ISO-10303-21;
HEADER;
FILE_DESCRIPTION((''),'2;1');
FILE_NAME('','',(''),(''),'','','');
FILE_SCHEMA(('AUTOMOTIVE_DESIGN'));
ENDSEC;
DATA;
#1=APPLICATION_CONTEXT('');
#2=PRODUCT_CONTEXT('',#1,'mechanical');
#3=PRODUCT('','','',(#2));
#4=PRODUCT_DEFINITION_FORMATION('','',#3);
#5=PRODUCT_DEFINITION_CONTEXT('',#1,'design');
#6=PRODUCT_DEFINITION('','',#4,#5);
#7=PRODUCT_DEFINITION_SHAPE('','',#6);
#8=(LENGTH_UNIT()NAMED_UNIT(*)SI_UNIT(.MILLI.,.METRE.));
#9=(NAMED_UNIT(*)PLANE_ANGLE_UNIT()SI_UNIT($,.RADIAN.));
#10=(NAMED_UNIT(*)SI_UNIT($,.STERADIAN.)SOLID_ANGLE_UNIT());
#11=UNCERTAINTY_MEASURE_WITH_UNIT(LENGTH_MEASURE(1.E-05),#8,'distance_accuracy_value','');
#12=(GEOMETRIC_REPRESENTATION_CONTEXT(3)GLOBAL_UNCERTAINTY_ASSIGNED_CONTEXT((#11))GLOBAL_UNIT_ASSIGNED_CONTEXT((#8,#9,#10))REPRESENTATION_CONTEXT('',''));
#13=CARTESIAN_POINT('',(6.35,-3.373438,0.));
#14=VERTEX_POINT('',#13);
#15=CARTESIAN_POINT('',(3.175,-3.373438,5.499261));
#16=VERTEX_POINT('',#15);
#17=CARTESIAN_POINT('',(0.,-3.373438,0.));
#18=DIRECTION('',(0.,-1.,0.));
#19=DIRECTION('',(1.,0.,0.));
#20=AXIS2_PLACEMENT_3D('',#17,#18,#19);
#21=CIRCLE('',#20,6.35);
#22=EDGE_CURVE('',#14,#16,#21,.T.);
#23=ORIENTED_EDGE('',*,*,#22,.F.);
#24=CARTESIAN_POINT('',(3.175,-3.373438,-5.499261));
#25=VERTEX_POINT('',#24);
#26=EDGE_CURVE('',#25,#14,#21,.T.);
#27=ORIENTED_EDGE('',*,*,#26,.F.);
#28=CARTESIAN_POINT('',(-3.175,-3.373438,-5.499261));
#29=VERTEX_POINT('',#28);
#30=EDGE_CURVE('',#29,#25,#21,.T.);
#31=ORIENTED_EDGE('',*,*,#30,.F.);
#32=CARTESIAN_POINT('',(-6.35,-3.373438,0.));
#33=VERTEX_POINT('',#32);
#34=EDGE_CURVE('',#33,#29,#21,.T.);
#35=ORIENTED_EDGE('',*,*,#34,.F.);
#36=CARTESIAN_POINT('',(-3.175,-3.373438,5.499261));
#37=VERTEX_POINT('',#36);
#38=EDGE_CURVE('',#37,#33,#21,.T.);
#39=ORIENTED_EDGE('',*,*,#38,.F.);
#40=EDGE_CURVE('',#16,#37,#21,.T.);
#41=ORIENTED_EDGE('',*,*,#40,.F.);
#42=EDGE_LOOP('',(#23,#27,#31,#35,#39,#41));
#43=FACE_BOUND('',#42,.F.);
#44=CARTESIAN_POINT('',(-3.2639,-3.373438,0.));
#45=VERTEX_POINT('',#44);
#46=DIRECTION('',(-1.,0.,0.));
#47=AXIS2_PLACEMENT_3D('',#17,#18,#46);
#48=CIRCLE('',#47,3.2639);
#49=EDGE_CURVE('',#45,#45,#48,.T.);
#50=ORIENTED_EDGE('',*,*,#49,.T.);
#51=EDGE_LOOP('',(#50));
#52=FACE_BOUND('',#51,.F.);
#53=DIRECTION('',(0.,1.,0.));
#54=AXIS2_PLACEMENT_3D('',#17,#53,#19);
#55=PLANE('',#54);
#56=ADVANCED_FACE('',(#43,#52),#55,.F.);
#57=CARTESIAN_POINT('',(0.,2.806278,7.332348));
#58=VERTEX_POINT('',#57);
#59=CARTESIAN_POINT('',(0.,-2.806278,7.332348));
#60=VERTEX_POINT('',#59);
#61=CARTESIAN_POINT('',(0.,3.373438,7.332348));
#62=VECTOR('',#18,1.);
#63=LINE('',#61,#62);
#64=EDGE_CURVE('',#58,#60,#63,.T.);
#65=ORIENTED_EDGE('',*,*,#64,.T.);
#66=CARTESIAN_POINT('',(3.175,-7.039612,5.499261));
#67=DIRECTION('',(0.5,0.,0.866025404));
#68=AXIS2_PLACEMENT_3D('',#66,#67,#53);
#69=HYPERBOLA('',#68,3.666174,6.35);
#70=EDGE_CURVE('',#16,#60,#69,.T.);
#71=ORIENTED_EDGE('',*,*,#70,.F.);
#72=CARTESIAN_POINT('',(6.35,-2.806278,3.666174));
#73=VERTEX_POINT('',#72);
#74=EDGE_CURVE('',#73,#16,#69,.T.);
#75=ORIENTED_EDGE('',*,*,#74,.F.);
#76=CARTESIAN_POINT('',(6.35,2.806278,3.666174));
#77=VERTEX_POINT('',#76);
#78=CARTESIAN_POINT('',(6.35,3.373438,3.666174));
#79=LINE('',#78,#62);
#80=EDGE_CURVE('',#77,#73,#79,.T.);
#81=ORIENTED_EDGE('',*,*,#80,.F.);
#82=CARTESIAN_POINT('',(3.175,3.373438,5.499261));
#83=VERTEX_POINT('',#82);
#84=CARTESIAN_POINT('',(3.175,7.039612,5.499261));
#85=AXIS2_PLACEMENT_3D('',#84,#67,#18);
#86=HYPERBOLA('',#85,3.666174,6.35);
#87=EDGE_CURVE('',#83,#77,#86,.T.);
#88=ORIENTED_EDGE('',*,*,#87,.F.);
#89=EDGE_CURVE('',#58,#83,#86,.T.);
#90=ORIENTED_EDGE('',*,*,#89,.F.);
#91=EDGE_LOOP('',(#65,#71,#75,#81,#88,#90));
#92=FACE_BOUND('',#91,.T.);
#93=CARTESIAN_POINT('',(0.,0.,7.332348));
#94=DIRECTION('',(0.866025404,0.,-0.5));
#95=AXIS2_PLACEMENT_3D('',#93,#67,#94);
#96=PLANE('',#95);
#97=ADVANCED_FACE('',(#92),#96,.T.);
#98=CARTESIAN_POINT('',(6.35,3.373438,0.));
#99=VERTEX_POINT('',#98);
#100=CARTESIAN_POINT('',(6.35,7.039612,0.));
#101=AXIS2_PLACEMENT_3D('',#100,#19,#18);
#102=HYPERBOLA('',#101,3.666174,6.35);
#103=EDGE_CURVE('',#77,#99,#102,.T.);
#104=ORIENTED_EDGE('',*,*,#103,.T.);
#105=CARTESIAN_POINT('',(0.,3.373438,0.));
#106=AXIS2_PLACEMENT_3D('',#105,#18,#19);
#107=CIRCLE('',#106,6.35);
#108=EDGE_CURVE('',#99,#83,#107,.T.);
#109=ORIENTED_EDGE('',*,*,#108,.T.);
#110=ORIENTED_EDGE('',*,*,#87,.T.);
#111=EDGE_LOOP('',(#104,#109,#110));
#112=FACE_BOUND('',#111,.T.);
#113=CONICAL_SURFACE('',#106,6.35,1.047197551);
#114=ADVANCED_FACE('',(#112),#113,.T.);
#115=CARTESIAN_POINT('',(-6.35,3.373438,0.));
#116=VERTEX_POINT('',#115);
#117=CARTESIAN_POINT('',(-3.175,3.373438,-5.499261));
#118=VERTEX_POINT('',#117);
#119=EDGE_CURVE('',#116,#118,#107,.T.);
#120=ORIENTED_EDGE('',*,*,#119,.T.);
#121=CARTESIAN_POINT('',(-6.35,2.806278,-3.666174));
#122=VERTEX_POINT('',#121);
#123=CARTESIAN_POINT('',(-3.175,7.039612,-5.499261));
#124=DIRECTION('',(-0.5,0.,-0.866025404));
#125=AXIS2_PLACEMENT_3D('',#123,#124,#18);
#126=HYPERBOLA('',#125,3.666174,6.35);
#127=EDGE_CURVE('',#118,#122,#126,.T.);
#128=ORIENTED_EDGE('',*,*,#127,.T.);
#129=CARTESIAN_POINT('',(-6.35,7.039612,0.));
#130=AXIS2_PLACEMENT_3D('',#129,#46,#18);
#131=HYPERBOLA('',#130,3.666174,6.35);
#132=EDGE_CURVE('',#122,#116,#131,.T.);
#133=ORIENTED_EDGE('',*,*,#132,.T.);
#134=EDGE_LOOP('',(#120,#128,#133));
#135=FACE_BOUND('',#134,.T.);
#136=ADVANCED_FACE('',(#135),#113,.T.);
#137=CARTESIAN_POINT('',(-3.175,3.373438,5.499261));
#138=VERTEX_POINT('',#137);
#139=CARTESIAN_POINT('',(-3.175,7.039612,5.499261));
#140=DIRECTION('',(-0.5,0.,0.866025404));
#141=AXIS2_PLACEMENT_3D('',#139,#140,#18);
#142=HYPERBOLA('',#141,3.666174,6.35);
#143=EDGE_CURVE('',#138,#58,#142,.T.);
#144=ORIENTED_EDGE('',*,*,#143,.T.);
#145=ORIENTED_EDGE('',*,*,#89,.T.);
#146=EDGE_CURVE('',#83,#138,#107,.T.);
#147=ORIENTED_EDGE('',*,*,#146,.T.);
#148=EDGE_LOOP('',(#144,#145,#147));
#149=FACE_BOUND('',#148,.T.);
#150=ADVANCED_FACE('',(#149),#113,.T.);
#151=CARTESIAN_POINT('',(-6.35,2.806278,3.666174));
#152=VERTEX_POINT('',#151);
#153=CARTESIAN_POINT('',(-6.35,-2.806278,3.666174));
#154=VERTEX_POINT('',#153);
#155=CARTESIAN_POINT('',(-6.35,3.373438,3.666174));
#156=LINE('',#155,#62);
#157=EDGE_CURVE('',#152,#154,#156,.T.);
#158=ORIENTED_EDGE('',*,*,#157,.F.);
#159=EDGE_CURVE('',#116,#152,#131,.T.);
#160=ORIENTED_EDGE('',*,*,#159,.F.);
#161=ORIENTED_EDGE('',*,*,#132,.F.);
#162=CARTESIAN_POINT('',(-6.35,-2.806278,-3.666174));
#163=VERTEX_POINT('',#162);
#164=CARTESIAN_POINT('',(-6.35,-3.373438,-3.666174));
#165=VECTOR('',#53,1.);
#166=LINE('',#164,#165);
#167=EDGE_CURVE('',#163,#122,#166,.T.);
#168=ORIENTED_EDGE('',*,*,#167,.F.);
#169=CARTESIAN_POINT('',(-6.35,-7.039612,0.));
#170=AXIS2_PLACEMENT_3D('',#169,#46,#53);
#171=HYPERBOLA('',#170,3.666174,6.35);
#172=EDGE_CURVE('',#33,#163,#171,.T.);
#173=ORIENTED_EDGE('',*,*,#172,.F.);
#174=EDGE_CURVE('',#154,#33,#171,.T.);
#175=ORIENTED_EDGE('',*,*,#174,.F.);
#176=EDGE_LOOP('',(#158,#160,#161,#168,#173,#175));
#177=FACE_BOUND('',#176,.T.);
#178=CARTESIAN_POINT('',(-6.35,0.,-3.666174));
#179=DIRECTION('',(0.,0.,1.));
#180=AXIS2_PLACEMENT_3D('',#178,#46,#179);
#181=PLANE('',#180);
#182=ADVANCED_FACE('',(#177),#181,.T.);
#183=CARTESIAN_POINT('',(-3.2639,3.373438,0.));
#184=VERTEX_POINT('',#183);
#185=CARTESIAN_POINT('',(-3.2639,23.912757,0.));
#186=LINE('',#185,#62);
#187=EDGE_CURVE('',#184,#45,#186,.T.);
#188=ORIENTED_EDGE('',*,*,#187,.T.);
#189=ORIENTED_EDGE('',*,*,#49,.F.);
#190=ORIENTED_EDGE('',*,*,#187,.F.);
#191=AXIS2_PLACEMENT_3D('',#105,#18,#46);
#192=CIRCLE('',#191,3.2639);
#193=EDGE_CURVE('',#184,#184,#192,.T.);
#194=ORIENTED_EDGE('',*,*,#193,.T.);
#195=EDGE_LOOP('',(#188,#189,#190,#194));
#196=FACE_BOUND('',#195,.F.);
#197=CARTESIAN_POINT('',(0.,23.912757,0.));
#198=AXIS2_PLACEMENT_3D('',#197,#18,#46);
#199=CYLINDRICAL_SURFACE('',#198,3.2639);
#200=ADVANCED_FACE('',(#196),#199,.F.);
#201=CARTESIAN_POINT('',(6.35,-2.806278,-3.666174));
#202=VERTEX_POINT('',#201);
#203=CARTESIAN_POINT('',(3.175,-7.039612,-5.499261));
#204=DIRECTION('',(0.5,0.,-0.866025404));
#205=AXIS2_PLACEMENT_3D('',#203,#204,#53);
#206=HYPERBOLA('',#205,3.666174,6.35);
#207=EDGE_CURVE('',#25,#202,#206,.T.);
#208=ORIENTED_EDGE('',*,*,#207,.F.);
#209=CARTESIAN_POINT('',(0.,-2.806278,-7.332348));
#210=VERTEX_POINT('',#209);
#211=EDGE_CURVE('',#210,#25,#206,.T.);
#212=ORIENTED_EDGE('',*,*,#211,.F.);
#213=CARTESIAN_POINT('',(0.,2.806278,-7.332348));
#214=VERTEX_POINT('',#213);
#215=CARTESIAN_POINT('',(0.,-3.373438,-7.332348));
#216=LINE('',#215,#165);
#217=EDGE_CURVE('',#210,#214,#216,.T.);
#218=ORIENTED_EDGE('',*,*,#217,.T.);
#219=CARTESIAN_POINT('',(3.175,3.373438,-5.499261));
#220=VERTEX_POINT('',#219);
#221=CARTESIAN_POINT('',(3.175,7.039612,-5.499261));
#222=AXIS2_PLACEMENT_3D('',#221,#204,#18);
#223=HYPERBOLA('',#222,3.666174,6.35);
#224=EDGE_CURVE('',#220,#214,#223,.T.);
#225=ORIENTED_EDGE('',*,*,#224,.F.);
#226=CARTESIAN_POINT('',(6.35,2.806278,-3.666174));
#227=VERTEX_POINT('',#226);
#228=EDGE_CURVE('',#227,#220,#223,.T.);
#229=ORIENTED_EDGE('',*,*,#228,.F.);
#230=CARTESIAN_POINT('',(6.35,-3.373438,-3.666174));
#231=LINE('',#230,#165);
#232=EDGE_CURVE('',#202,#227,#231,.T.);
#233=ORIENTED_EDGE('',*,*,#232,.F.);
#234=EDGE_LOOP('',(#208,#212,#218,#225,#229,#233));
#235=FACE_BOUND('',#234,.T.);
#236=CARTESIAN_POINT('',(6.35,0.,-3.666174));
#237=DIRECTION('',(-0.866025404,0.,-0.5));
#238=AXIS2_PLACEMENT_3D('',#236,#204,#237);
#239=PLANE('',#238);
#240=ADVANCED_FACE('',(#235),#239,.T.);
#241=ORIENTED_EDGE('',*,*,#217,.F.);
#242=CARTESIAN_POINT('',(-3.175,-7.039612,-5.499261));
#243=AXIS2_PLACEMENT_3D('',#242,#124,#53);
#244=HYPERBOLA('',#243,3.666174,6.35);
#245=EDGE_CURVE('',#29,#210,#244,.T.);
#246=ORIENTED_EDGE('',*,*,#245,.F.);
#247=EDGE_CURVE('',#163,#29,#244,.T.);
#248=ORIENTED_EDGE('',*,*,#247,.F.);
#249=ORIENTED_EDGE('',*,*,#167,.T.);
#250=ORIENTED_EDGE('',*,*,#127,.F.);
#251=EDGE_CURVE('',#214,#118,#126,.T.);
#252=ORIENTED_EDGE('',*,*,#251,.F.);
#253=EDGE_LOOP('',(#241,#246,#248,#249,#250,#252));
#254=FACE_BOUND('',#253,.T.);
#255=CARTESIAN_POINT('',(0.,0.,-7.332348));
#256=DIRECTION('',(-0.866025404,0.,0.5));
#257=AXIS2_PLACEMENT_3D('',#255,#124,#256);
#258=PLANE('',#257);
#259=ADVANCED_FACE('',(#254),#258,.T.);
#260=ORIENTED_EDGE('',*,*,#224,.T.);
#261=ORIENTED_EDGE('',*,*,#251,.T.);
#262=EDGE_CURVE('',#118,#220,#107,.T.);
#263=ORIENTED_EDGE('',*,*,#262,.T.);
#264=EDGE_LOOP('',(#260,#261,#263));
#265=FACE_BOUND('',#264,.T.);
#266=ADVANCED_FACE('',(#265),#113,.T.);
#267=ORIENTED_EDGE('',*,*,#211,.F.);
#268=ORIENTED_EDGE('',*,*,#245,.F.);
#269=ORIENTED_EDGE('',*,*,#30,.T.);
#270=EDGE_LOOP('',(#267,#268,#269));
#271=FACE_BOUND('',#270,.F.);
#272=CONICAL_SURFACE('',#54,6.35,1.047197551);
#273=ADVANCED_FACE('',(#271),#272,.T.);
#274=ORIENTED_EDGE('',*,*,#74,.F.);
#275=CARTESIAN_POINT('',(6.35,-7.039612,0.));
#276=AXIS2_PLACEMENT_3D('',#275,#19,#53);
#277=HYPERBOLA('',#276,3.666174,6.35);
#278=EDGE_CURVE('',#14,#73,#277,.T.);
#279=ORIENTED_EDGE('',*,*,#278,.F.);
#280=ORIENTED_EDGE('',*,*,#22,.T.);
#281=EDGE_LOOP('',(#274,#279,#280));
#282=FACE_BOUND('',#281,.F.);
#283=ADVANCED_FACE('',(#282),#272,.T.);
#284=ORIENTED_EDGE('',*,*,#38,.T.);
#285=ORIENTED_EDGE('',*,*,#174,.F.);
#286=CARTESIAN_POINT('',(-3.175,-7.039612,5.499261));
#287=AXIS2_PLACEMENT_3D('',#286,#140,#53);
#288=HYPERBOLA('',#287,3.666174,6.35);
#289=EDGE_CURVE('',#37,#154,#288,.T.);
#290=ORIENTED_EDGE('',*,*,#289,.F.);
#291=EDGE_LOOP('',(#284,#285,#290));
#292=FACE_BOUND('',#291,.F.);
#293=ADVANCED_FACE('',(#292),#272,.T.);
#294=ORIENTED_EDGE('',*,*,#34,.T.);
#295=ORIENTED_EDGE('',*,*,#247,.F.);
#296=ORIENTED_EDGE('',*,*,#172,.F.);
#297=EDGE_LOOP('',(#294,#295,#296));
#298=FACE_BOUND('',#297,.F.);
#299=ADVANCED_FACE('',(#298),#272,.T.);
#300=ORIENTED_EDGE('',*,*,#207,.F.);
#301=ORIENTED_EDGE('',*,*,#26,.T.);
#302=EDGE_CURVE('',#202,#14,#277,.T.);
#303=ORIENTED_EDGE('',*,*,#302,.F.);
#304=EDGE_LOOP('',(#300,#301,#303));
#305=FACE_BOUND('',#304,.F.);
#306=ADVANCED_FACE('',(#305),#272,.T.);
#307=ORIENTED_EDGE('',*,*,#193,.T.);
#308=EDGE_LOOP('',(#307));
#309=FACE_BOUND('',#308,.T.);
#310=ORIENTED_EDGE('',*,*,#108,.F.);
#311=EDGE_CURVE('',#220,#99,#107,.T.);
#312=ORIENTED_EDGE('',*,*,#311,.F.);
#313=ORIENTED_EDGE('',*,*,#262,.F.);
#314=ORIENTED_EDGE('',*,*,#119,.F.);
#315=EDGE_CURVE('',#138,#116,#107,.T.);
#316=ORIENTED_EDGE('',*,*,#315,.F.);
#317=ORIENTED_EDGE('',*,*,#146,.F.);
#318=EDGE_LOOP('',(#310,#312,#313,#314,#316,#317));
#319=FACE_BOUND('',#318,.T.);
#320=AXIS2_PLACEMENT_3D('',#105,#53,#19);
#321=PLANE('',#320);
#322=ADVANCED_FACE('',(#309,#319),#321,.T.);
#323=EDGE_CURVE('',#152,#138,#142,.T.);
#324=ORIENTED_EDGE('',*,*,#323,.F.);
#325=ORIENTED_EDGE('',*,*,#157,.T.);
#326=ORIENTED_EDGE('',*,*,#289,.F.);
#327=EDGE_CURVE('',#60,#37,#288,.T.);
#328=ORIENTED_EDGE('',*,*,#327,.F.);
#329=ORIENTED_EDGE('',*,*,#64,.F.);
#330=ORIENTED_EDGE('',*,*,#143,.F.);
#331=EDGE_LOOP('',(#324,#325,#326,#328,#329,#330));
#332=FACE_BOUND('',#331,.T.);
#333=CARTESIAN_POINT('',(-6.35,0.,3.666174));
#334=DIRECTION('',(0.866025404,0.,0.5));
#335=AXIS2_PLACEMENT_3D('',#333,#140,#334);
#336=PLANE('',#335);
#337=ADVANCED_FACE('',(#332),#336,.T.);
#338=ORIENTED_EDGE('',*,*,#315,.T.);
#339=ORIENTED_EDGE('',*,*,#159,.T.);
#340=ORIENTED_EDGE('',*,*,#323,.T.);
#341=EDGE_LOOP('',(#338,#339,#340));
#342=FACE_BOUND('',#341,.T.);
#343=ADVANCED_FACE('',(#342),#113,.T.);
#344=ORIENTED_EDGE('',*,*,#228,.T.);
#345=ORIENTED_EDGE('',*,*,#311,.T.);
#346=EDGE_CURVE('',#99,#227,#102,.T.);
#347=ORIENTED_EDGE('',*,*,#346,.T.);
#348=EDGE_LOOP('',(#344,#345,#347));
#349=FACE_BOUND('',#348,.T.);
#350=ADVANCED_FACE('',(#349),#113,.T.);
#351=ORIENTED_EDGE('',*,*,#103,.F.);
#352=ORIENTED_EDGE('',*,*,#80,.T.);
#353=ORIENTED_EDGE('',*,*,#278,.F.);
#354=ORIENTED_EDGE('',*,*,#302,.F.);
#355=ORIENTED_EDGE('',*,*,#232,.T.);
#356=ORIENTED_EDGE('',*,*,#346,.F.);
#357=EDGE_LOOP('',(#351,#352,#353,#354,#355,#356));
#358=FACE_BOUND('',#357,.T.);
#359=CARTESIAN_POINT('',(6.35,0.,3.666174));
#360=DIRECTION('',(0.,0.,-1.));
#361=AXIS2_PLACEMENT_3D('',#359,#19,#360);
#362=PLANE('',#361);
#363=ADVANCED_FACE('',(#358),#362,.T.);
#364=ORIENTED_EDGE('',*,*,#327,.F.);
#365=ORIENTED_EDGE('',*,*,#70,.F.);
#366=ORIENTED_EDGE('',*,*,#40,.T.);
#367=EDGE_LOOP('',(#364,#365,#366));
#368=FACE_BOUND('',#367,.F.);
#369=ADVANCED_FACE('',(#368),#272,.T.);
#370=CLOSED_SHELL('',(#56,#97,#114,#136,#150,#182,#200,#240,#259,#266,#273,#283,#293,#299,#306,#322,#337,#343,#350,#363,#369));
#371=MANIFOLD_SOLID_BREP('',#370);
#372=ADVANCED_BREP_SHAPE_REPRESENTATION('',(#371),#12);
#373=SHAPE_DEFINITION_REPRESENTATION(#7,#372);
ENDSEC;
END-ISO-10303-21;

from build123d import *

# Parameters (mm, degrees)
BOSS_EXTRUDE1_DEPTH      = 3.3734375
BOSS_EXTRUDE1_DEPTH_BACK = 3.3734375
SKETCH2_OUTSIDE_W        = 45.644
SKETCH2_OUTSIDE_H        = 47.608
SKETCH2_OUTSIDE_R        = 6.35
CUT_EXTRUDE1_DEPTH       = 7.746875
CUT_EXTRUDE1_TAPER       = 60
F_5_16_18_TAPPED_HOLE1_D = 6.5278


with BuildPart() as part:
    # Sketch1 → Boss-Extrude1 (new body, two sides)
    with BuildSketch(Plane(origin=(0, 0, 0), x_dir=(1, 0, 0), z_dir=(0, 1, 0))) as boss_extrude1_sk:
        Polygon((6.35, -3.666174209), (6.35, 3.666174209), (0, 7.332348419), (-6.35, 3.666174209), (-6.35, -3.666174209), (0, -7.332348419), align=None)
    extrude(amount=BOSS_EXTRUDE1_DEPTH)
    extrude(boss_extrude1_sk.sketch, amount=-BOSS_EXTRUDE1_DEPTH_BACK)

    # Sketch2 outside → Cut-Extrude1 (cut, through all)
    with BuildSketch(Plane(origin=(0, 3.3734375, 0), x_dir=(1, 0, 0), z_dir=(0, 1, 0))):
        Rectangle(SKETCH2_OUTSIDE_W, SKETCH2_OUTSIDE_H)
        Circle(SKETCH2_OUTSIDE_R, mode=Mode.SUBTRACT)
    cut_extrude1 = extrude(amount=-CUT_EXTRUDE1_DEPTH, taper=CUT_EXTRUDE1_TAPER, mode=Mode.SUBTRACT)

    # Mirror1: Cut-Extrude1 across plane
    add(cut_extrude1.mirror(Plane.ZX), mode=Mode.SUBTRACT)

    # 5/16-18 Tapped Hole1 (through all)
    with Locations(Plane(origin=(0, 3.3734375, 0), x_dir=(1, 0, 0), z_dir=(0, 1, 0))):
        with Locations((0, 0)):
            Hole(F_5_16_18_TAPPED_HOLE1_D / 2)


solid = part.part
